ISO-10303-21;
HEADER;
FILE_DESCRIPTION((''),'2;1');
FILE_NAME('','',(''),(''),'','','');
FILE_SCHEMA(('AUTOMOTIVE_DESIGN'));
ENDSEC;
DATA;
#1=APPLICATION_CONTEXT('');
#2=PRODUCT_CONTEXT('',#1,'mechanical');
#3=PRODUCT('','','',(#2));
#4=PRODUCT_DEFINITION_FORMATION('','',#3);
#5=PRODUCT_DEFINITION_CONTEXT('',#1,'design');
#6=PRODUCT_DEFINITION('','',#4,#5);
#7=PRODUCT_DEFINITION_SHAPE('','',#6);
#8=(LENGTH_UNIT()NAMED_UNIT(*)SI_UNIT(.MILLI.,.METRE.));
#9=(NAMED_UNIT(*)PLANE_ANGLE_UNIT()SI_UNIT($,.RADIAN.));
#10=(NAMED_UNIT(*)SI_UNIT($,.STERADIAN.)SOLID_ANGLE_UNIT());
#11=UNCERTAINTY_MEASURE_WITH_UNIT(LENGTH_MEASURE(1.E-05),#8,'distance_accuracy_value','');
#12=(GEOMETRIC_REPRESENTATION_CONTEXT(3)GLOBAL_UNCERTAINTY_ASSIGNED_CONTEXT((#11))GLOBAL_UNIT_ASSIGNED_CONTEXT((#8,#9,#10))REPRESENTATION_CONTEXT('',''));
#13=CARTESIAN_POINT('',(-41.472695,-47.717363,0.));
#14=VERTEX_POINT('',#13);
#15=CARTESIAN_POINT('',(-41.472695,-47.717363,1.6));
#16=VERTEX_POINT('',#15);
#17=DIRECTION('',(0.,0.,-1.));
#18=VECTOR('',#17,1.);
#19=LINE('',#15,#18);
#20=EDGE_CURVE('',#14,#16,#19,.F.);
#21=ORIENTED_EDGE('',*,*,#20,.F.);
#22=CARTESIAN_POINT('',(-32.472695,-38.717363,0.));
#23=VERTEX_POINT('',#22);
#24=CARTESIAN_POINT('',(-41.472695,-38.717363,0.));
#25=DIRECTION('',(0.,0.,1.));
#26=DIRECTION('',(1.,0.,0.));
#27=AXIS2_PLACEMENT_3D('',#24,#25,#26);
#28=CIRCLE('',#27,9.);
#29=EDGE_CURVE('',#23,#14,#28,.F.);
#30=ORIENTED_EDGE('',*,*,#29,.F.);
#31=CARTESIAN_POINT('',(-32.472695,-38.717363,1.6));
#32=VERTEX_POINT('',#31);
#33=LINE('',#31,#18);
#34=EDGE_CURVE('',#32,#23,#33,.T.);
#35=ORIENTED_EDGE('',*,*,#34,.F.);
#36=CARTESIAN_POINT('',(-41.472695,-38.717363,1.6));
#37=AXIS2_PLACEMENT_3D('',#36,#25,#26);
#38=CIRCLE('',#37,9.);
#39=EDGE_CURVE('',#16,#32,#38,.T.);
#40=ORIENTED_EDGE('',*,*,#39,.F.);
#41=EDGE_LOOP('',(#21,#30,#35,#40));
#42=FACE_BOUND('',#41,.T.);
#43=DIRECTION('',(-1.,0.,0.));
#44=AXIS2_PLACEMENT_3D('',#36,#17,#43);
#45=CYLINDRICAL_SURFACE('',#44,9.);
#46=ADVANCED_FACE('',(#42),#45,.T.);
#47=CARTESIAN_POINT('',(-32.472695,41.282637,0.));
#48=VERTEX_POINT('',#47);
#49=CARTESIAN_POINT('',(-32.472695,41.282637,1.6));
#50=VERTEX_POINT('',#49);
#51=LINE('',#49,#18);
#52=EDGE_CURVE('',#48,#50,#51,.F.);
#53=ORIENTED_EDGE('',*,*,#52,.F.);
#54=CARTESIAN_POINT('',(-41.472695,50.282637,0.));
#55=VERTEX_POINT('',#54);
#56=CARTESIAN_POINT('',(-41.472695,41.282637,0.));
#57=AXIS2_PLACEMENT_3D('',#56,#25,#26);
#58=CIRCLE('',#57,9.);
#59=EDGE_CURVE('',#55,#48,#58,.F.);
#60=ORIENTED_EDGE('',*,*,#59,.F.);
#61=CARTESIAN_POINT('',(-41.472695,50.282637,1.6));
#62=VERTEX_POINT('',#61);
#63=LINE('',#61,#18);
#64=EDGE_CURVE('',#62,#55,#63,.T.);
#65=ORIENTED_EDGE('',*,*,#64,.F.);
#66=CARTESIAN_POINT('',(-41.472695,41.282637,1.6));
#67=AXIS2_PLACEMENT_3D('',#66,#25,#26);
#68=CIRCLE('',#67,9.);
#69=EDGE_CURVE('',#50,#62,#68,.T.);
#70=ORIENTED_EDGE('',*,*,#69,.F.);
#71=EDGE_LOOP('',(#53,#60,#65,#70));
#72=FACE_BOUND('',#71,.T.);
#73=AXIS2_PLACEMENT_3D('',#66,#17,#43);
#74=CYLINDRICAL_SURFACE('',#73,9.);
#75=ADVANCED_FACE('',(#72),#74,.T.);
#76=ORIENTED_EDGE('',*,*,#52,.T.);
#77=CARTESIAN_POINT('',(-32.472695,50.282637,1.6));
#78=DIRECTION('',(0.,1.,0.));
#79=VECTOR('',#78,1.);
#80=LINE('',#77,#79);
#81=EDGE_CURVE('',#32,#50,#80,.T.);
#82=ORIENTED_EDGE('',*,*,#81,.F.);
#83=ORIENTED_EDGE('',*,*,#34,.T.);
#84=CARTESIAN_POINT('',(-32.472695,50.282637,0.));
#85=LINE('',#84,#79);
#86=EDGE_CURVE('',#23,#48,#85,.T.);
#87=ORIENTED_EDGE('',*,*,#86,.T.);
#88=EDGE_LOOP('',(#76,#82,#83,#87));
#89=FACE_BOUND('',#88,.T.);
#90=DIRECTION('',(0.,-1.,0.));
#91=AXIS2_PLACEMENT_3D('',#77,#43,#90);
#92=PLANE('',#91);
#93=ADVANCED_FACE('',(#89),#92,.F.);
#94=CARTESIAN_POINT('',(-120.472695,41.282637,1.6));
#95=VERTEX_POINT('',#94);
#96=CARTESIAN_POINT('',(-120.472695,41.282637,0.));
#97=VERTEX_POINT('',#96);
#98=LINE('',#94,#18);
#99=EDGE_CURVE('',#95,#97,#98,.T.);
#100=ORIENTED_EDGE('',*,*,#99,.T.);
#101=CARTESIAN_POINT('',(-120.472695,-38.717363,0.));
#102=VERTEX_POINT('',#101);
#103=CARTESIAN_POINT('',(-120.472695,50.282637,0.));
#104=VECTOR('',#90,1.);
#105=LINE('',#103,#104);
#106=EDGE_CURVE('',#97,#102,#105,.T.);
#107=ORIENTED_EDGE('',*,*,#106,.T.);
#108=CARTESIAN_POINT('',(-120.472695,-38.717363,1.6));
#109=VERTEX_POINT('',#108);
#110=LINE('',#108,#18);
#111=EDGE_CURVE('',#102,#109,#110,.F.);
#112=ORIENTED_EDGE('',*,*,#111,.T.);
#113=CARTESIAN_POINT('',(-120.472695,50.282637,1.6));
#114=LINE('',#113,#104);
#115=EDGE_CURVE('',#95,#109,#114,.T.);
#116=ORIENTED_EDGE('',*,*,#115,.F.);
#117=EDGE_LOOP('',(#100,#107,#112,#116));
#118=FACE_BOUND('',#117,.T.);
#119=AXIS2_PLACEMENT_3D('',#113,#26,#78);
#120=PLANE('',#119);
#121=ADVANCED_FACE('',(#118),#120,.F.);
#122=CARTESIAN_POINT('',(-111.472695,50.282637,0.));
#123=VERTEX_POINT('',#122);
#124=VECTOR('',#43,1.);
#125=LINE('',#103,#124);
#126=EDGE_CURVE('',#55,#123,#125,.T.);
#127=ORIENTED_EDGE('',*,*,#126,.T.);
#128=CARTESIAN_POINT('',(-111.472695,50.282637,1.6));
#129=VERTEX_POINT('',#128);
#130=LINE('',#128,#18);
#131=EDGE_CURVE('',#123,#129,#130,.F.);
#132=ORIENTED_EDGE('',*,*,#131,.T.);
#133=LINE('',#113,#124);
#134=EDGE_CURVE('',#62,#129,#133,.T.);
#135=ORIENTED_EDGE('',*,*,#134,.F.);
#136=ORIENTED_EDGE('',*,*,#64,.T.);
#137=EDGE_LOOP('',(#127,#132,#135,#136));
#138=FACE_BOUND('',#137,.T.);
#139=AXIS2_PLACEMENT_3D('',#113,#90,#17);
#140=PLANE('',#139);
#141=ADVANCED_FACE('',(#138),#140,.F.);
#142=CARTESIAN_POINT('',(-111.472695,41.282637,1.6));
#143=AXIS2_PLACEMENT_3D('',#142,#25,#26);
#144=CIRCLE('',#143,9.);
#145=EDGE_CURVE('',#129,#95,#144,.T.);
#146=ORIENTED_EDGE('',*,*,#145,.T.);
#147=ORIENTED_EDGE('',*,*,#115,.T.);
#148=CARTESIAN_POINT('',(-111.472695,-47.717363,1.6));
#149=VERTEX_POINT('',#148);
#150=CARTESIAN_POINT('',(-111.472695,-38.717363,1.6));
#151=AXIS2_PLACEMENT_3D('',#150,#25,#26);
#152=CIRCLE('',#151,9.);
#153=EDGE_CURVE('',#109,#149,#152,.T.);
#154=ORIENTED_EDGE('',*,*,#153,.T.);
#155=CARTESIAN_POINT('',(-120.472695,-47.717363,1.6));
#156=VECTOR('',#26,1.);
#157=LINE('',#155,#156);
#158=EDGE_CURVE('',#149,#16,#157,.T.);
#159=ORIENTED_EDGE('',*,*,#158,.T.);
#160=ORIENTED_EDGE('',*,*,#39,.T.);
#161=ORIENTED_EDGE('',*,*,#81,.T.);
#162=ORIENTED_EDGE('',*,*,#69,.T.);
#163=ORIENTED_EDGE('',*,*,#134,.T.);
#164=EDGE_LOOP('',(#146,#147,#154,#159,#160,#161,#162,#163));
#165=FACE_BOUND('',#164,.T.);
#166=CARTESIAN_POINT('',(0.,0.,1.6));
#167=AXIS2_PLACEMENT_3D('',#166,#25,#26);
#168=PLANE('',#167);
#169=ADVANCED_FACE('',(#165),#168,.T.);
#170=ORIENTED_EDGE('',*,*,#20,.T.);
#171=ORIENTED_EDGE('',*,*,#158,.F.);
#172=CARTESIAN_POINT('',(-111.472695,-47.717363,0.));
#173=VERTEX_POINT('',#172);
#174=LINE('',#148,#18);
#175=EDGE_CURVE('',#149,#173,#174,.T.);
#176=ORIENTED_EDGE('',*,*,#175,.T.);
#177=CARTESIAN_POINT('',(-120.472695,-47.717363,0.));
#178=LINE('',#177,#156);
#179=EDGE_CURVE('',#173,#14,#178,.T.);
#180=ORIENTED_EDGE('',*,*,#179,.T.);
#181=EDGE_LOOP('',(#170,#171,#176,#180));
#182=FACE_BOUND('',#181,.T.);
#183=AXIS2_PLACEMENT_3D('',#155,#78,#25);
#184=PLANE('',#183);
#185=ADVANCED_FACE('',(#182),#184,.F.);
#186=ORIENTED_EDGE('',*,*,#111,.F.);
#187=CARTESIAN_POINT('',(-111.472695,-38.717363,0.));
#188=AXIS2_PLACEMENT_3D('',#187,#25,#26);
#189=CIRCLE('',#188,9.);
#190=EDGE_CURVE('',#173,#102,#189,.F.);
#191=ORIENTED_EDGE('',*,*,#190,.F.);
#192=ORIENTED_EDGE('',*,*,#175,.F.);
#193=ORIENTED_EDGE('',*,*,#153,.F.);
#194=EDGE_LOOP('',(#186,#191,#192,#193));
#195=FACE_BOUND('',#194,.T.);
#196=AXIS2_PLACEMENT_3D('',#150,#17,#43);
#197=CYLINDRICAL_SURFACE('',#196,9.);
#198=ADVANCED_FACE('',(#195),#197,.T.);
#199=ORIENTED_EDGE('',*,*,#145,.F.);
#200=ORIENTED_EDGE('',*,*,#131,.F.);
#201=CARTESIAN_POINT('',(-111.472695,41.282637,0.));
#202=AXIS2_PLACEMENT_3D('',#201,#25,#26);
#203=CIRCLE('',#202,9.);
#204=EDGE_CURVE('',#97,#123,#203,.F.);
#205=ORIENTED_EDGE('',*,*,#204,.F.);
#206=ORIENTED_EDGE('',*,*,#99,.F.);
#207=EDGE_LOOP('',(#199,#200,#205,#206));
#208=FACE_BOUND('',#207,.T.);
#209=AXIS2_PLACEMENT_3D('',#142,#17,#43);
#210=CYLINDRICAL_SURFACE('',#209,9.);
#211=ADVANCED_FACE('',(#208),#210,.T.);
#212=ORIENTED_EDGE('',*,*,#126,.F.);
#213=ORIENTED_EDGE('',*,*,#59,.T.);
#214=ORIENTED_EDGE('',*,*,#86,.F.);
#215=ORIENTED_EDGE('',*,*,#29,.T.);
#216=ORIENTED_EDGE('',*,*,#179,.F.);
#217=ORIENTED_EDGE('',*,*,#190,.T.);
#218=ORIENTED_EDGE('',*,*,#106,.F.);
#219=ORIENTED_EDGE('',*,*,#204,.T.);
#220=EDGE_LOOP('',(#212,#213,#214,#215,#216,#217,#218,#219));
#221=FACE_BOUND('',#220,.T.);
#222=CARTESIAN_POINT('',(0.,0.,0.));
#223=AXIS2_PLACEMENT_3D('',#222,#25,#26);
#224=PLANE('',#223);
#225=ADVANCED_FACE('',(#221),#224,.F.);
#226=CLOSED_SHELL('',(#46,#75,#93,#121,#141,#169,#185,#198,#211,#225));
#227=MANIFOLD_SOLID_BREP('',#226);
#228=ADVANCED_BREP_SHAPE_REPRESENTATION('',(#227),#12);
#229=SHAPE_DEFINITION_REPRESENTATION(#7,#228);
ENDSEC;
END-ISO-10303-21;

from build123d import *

# Parameters (mm, degrees)
SKETCH1_W           = 88
SKETCH1_H           = 98
BOSS_EXTRUDE1_DEPTH = 1.6
FILLET1_R           = 9


with BuildPart() as part:
    # Sketch1 → Boss-Extrude1 (new body)
    with BuildSketch(Plane.XY):
        with Locations((-76.472694805, 1.282636737)):
            Rectangle(SKETCH1_W, SKETCH1_H)
    extrude(amount=BOSS_EXTRUDE1_DEPTH)

    # Fillet1
    fillet1_edges = [part.edges().sort_by_distance(p)[0] for p in [
        (-120.472694805, 50.282636737, 0.8),
        (-32.472694805, 50.282636737, 0.8),
        (-32.472694805, -47.717363263, 0.8),
        (-120.472694805, -47.717363263, 0.8),
    ]]
    fillet(fillet1_edges, radius=FILLET1_R)


solid = part.part
